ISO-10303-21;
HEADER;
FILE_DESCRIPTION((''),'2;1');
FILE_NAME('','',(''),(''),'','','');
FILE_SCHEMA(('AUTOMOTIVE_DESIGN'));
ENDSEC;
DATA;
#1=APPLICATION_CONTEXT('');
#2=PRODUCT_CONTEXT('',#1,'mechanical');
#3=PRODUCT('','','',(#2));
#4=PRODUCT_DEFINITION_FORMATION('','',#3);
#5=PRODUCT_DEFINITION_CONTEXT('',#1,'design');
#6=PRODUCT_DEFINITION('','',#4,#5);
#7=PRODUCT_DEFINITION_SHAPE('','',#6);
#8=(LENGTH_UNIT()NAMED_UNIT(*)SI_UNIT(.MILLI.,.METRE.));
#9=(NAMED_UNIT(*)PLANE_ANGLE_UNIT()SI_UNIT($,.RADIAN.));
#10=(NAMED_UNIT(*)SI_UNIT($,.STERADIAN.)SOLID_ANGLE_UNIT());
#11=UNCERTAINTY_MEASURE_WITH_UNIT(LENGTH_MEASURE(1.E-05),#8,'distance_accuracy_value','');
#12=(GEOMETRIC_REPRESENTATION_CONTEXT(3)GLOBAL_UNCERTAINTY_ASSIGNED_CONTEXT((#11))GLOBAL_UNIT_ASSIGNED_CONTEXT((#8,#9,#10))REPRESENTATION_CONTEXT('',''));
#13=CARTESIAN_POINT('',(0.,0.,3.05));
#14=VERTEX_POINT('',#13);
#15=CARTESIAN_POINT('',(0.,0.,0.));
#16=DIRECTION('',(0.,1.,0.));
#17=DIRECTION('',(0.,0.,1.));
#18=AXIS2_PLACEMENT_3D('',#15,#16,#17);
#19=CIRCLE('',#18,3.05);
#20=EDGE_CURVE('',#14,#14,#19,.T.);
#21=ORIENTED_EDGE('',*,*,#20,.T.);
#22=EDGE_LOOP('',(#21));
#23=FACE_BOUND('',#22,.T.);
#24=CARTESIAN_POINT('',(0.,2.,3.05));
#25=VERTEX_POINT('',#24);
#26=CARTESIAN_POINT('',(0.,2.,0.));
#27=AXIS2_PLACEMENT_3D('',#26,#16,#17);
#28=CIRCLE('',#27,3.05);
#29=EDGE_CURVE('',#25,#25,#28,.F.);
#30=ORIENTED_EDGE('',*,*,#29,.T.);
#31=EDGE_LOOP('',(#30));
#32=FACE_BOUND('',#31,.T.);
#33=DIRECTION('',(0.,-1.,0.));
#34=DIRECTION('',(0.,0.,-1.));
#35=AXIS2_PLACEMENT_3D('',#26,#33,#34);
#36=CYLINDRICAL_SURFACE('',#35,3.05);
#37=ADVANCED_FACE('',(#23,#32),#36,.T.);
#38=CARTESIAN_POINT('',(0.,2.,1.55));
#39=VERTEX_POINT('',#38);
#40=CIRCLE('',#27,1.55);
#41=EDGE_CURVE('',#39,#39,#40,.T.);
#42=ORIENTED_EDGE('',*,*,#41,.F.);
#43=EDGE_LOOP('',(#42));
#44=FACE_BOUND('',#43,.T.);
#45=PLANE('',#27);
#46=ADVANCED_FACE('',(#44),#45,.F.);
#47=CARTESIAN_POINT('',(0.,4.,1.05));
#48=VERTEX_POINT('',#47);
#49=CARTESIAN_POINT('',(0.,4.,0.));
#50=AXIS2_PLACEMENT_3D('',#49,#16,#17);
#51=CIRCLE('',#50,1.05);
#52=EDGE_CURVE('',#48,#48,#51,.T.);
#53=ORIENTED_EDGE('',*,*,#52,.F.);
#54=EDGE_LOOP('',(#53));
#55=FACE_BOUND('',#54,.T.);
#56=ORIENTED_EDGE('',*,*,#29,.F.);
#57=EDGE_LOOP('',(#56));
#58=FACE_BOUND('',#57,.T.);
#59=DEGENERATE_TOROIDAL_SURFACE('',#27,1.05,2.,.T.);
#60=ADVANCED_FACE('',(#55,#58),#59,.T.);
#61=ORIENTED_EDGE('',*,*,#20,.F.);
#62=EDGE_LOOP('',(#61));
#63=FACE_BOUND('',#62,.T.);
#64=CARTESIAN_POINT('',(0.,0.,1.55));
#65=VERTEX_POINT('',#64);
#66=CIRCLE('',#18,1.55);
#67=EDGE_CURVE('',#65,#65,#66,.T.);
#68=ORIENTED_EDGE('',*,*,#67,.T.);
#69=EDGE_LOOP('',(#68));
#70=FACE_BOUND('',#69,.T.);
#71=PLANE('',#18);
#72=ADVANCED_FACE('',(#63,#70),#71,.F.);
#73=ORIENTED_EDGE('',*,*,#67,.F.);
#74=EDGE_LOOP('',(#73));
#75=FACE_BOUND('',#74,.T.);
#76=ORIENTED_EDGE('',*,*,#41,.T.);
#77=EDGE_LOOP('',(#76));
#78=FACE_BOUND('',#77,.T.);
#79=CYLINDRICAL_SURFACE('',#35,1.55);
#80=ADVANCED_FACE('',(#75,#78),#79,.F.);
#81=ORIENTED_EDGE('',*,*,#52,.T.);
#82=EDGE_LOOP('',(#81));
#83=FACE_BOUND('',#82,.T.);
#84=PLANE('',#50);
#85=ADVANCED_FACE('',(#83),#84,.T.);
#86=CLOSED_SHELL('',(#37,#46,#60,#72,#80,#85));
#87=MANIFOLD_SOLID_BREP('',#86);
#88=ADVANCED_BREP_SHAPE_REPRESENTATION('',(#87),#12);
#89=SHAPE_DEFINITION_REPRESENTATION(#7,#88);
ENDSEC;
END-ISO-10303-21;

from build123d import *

# Parameters (mm, degrees)
SKETCH1_R           = 3.05
SKETCH1_R_2         = 1.55
BOSS_EXTRUDE1_DEPTH = 2
SKETCH3_R           = 3.05
BOSS_EXTRUDE2_DEPTH = 2
FILLET1_R           = 2


with BuildPart() as part:
    # Sketch1 → Boss-Extrude1 (new body)
    with BuildSketch(Plane(origin=(0, 0, 0), x_dir=(1, 0, 0), z_dir=(0, 1, 0))):
        Circle(SKETCH1_R)
        Circle(SKETCH1_R_2, mode=Mode.SUBTRACT)
    extrude(amount=BOSS_EXTRUDE1_DEPTH)

    # Sketch3 → Boss-Extrude2 (add)
    with BuildSketch(Plane(origin=(0, 2, 0), x_dir=(1, 0, 0), z_dir=(0, 1, 0))):
        Circle(SKETCH3_R)
    extrude(amount=BOSS_EXTRUDE2_DEPTH)

    # Fillet1
    fillet1_edges = [part.edges().sort_by_distance(p)[0] for p in [
        (-3.05, 4, 0),
    ]]
    fillet(fillet1_edges, radius=FILLET1_R)


solid = part.part
